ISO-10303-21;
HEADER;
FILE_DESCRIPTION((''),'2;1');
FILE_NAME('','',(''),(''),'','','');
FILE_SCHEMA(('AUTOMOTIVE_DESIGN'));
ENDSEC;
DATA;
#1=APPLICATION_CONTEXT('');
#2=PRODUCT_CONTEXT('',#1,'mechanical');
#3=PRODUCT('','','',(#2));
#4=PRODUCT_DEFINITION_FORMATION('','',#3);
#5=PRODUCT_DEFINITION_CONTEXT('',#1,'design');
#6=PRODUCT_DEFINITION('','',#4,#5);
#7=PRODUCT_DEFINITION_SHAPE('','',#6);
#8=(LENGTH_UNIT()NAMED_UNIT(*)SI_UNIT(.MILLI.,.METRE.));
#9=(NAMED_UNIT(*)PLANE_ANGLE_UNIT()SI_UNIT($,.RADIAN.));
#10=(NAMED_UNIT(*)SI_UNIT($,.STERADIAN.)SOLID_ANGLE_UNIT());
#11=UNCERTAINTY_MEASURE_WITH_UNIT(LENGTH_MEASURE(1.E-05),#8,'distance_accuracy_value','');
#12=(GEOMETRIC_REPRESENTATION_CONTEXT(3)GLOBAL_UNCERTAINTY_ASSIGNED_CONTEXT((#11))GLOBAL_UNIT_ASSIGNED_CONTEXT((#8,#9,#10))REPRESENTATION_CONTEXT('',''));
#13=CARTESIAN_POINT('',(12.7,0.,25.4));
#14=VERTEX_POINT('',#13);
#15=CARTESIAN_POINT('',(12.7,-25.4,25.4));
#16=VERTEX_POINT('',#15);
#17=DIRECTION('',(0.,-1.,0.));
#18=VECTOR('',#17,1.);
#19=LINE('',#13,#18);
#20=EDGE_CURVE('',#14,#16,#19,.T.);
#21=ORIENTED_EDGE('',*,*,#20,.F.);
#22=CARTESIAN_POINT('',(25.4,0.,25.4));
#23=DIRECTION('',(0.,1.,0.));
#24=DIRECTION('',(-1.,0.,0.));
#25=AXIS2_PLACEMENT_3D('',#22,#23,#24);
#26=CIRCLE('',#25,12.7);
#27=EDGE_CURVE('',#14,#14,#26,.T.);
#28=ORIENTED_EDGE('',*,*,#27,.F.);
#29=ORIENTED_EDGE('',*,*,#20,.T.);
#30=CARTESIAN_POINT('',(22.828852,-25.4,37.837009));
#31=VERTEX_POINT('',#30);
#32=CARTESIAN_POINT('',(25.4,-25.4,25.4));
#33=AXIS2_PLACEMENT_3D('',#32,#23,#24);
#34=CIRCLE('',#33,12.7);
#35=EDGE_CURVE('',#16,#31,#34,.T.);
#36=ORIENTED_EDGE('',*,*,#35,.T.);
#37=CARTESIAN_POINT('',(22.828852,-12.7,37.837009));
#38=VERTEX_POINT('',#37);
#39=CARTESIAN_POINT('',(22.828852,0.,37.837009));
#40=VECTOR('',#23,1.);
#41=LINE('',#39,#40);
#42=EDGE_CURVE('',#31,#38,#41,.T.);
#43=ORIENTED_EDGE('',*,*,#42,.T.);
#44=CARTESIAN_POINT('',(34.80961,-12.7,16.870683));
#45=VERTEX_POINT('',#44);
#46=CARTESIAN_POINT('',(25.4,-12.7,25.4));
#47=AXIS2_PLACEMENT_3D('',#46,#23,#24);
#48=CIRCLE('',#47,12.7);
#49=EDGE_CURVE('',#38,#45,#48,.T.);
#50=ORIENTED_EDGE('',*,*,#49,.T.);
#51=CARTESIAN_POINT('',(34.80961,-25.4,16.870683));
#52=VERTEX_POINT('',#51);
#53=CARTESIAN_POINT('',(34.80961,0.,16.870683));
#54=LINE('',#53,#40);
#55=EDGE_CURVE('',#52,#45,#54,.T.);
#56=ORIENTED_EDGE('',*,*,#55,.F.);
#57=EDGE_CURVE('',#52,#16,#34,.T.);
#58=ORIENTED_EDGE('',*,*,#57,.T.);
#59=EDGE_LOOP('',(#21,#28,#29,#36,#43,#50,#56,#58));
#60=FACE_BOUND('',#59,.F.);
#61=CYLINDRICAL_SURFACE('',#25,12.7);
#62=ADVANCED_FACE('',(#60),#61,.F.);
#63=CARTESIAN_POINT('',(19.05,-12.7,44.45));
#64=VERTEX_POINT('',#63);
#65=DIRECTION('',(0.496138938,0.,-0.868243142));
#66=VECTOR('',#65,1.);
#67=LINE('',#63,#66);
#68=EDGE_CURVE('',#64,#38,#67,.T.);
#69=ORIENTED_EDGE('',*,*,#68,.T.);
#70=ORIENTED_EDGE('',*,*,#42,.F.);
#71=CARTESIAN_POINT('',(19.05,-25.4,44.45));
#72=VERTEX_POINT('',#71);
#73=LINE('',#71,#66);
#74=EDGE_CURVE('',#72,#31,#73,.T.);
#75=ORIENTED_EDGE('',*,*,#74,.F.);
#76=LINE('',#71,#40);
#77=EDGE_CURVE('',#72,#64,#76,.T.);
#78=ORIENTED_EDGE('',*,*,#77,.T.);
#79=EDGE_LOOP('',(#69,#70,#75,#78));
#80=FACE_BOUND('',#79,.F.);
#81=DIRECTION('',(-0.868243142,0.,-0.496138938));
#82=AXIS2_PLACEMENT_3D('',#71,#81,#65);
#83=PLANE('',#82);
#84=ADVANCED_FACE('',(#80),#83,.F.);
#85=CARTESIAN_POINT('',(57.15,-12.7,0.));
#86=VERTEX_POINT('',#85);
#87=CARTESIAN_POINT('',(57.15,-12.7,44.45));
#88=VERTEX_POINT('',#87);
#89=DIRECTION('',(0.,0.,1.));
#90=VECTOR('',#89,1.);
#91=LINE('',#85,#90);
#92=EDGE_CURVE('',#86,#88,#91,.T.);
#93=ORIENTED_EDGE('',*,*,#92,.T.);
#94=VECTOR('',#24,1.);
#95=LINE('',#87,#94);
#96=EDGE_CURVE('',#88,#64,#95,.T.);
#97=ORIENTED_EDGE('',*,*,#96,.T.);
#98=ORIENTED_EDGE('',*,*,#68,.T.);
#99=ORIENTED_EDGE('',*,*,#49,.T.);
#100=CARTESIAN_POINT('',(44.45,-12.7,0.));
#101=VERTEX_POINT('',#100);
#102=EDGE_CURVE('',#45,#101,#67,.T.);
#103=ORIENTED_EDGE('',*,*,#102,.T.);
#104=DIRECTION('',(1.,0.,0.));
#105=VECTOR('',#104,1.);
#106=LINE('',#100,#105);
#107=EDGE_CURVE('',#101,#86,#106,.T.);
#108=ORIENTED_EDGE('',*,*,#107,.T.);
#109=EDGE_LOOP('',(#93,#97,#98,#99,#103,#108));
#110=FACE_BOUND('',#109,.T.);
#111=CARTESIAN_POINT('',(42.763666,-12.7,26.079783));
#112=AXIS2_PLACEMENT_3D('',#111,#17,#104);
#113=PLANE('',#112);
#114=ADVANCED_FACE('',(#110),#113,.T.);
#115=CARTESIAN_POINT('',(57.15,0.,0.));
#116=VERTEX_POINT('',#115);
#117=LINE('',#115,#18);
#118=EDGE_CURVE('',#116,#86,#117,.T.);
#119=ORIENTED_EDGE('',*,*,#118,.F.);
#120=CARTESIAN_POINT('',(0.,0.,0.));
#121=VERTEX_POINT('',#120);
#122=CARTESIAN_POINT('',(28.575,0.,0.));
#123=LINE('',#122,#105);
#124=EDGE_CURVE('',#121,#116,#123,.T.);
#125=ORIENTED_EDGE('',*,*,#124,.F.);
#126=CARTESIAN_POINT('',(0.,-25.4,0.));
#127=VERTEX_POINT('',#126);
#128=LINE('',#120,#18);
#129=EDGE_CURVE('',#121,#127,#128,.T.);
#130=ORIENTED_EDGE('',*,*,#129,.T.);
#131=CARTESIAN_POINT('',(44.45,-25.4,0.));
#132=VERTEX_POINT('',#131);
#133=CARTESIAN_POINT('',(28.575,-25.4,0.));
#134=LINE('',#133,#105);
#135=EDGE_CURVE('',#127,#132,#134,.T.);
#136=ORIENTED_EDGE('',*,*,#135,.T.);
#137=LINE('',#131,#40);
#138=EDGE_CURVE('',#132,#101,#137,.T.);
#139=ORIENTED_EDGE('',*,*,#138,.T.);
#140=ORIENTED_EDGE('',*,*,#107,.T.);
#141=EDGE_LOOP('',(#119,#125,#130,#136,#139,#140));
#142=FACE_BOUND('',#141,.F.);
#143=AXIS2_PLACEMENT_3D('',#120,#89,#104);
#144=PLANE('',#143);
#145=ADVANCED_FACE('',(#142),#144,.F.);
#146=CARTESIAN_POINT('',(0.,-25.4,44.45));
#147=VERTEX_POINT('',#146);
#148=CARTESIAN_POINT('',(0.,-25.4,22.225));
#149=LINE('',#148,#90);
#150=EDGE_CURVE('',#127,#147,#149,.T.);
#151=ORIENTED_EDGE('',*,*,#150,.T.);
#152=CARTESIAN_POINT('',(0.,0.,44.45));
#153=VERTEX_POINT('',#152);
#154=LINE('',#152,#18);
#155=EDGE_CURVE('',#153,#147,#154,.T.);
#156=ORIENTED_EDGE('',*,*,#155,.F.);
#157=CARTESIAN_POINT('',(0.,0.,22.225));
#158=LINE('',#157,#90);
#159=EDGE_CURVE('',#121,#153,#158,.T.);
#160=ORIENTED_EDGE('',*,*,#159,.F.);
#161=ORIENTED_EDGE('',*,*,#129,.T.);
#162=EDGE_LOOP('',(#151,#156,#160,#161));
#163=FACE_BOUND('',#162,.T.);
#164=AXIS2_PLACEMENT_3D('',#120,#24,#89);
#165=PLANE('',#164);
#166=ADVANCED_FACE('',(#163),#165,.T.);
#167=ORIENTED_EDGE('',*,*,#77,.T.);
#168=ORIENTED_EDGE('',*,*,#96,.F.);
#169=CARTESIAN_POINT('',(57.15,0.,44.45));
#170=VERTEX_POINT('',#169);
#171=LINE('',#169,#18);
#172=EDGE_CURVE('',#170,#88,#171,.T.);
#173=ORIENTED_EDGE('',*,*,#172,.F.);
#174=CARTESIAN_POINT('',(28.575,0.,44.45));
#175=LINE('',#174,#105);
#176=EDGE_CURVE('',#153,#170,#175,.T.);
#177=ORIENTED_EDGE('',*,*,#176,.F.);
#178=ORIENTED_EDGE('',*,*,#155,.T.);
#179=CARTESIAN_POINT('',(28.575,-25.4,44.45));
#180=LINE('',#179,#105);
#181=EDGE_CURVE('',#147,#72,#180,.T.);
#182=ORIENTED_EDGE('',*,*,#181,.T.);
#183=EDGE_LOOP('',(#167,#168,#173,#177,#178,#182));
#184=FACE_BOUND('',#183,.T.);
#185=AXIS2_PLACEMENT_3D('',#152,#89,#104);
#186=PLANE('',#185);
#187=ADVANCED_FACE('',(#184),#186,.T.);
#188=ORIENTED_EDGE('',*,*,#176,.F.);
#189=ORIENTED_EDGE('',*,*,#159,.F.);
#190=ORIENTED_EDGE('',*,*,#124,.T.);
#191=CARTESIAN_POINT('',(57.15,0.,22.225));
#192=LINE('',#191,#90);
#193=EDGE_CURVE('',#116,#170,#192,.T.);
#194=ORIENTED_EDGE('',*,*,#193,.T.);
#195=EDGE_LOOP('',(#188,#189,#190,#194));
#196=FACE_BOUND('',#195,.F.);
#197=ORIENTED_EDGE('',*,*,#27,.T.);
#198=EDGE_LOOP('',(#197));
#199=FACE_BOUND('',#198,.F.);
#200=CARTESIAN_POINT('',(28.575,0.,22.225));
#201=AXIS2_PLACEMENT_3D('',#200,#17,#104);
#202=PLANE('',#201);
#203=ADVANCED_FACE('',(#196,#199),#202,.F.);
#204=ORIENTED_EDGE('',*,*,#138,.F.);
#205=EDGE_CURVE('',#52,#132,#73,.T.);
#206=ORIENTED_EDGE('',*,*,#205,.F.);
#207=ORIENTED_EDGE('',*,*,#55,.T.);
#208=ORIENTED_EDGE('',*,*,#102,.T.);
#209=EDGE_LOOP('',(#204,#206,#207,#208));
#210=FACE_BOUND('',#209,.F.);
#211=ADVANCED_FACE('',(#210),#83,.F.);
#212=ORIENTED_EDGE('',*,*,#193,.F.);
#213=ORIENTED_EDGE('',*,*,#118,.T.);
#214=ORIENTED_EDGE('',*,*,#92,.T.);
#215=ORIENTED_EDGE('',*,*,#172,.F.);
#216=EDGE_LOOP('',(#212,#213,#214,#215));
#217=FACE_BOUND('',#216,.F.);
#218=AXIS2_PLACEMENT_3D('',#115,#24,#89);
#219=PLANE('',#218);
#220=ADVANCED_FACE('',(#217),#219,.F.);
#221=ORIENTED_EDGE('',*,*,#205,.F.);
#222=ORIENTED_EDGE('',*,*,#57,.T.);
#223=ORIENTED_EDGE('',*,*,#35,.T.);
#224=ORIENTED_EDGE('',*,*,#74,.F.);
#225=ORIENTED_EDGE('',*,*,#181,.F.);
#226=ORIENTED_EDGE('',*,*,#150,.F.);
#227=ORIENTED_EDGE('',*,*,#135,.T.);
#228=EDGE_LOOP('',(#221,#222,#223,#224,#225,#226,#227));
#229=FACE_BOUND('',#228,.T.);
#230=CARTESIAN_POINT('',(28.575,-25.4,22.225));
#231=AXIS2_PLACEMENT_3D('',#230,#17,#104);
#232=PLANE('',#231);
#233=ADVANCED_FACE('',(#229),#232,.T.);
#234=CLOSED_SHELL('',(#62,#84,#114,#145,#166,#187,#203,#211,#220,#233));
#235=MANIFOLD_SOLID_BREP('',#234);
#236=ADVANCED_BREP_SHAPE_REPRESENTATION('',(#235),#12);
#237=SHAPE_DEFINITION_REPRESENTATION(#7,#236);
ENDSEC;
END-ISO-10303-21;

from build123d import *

# Parameters (mm, degrees)
F0_W     = 57.15
F0_H     = 44.45
F1_DEPTH = 25.4
F3_DEPTH = 12.7
F4_R     = 12.7
F5_DEPTH = 25.4


with BuildPart() as f1:
    # F0 (on Front) → F1 (new body)
    with BuildSketch(Plane.XZ):
        with Locations((28.575, 22.225)):
            Rectangle(F0_W, F0_H)
    extrude(amount=F1_DEPTH)

    # F2 (on face) → F3 (cut)
    with BuildSketch(Plane.XZ.offset(25.4)):
        Polygon((57.15, 44.45), (19.05, 44.45), (44.45, 0), (57.15, 0), align=None)
    extrude(amount=-F3_DEPTH, mode=Mode.SUBTRACT)

    # F4 (on face) → F5 (cut)
    with BuildSketch(Plane(origin=(0, 0, 0), x_dir=(-1, 0, 0), z_dir=(0, 1, 0))):
        with Locations((-25.4, 25.4)):
            Circle(F4_R)
    extrude(amount=-F5_DEPTH, mode=Mode.SUBTRACT)


solid = f1.part
